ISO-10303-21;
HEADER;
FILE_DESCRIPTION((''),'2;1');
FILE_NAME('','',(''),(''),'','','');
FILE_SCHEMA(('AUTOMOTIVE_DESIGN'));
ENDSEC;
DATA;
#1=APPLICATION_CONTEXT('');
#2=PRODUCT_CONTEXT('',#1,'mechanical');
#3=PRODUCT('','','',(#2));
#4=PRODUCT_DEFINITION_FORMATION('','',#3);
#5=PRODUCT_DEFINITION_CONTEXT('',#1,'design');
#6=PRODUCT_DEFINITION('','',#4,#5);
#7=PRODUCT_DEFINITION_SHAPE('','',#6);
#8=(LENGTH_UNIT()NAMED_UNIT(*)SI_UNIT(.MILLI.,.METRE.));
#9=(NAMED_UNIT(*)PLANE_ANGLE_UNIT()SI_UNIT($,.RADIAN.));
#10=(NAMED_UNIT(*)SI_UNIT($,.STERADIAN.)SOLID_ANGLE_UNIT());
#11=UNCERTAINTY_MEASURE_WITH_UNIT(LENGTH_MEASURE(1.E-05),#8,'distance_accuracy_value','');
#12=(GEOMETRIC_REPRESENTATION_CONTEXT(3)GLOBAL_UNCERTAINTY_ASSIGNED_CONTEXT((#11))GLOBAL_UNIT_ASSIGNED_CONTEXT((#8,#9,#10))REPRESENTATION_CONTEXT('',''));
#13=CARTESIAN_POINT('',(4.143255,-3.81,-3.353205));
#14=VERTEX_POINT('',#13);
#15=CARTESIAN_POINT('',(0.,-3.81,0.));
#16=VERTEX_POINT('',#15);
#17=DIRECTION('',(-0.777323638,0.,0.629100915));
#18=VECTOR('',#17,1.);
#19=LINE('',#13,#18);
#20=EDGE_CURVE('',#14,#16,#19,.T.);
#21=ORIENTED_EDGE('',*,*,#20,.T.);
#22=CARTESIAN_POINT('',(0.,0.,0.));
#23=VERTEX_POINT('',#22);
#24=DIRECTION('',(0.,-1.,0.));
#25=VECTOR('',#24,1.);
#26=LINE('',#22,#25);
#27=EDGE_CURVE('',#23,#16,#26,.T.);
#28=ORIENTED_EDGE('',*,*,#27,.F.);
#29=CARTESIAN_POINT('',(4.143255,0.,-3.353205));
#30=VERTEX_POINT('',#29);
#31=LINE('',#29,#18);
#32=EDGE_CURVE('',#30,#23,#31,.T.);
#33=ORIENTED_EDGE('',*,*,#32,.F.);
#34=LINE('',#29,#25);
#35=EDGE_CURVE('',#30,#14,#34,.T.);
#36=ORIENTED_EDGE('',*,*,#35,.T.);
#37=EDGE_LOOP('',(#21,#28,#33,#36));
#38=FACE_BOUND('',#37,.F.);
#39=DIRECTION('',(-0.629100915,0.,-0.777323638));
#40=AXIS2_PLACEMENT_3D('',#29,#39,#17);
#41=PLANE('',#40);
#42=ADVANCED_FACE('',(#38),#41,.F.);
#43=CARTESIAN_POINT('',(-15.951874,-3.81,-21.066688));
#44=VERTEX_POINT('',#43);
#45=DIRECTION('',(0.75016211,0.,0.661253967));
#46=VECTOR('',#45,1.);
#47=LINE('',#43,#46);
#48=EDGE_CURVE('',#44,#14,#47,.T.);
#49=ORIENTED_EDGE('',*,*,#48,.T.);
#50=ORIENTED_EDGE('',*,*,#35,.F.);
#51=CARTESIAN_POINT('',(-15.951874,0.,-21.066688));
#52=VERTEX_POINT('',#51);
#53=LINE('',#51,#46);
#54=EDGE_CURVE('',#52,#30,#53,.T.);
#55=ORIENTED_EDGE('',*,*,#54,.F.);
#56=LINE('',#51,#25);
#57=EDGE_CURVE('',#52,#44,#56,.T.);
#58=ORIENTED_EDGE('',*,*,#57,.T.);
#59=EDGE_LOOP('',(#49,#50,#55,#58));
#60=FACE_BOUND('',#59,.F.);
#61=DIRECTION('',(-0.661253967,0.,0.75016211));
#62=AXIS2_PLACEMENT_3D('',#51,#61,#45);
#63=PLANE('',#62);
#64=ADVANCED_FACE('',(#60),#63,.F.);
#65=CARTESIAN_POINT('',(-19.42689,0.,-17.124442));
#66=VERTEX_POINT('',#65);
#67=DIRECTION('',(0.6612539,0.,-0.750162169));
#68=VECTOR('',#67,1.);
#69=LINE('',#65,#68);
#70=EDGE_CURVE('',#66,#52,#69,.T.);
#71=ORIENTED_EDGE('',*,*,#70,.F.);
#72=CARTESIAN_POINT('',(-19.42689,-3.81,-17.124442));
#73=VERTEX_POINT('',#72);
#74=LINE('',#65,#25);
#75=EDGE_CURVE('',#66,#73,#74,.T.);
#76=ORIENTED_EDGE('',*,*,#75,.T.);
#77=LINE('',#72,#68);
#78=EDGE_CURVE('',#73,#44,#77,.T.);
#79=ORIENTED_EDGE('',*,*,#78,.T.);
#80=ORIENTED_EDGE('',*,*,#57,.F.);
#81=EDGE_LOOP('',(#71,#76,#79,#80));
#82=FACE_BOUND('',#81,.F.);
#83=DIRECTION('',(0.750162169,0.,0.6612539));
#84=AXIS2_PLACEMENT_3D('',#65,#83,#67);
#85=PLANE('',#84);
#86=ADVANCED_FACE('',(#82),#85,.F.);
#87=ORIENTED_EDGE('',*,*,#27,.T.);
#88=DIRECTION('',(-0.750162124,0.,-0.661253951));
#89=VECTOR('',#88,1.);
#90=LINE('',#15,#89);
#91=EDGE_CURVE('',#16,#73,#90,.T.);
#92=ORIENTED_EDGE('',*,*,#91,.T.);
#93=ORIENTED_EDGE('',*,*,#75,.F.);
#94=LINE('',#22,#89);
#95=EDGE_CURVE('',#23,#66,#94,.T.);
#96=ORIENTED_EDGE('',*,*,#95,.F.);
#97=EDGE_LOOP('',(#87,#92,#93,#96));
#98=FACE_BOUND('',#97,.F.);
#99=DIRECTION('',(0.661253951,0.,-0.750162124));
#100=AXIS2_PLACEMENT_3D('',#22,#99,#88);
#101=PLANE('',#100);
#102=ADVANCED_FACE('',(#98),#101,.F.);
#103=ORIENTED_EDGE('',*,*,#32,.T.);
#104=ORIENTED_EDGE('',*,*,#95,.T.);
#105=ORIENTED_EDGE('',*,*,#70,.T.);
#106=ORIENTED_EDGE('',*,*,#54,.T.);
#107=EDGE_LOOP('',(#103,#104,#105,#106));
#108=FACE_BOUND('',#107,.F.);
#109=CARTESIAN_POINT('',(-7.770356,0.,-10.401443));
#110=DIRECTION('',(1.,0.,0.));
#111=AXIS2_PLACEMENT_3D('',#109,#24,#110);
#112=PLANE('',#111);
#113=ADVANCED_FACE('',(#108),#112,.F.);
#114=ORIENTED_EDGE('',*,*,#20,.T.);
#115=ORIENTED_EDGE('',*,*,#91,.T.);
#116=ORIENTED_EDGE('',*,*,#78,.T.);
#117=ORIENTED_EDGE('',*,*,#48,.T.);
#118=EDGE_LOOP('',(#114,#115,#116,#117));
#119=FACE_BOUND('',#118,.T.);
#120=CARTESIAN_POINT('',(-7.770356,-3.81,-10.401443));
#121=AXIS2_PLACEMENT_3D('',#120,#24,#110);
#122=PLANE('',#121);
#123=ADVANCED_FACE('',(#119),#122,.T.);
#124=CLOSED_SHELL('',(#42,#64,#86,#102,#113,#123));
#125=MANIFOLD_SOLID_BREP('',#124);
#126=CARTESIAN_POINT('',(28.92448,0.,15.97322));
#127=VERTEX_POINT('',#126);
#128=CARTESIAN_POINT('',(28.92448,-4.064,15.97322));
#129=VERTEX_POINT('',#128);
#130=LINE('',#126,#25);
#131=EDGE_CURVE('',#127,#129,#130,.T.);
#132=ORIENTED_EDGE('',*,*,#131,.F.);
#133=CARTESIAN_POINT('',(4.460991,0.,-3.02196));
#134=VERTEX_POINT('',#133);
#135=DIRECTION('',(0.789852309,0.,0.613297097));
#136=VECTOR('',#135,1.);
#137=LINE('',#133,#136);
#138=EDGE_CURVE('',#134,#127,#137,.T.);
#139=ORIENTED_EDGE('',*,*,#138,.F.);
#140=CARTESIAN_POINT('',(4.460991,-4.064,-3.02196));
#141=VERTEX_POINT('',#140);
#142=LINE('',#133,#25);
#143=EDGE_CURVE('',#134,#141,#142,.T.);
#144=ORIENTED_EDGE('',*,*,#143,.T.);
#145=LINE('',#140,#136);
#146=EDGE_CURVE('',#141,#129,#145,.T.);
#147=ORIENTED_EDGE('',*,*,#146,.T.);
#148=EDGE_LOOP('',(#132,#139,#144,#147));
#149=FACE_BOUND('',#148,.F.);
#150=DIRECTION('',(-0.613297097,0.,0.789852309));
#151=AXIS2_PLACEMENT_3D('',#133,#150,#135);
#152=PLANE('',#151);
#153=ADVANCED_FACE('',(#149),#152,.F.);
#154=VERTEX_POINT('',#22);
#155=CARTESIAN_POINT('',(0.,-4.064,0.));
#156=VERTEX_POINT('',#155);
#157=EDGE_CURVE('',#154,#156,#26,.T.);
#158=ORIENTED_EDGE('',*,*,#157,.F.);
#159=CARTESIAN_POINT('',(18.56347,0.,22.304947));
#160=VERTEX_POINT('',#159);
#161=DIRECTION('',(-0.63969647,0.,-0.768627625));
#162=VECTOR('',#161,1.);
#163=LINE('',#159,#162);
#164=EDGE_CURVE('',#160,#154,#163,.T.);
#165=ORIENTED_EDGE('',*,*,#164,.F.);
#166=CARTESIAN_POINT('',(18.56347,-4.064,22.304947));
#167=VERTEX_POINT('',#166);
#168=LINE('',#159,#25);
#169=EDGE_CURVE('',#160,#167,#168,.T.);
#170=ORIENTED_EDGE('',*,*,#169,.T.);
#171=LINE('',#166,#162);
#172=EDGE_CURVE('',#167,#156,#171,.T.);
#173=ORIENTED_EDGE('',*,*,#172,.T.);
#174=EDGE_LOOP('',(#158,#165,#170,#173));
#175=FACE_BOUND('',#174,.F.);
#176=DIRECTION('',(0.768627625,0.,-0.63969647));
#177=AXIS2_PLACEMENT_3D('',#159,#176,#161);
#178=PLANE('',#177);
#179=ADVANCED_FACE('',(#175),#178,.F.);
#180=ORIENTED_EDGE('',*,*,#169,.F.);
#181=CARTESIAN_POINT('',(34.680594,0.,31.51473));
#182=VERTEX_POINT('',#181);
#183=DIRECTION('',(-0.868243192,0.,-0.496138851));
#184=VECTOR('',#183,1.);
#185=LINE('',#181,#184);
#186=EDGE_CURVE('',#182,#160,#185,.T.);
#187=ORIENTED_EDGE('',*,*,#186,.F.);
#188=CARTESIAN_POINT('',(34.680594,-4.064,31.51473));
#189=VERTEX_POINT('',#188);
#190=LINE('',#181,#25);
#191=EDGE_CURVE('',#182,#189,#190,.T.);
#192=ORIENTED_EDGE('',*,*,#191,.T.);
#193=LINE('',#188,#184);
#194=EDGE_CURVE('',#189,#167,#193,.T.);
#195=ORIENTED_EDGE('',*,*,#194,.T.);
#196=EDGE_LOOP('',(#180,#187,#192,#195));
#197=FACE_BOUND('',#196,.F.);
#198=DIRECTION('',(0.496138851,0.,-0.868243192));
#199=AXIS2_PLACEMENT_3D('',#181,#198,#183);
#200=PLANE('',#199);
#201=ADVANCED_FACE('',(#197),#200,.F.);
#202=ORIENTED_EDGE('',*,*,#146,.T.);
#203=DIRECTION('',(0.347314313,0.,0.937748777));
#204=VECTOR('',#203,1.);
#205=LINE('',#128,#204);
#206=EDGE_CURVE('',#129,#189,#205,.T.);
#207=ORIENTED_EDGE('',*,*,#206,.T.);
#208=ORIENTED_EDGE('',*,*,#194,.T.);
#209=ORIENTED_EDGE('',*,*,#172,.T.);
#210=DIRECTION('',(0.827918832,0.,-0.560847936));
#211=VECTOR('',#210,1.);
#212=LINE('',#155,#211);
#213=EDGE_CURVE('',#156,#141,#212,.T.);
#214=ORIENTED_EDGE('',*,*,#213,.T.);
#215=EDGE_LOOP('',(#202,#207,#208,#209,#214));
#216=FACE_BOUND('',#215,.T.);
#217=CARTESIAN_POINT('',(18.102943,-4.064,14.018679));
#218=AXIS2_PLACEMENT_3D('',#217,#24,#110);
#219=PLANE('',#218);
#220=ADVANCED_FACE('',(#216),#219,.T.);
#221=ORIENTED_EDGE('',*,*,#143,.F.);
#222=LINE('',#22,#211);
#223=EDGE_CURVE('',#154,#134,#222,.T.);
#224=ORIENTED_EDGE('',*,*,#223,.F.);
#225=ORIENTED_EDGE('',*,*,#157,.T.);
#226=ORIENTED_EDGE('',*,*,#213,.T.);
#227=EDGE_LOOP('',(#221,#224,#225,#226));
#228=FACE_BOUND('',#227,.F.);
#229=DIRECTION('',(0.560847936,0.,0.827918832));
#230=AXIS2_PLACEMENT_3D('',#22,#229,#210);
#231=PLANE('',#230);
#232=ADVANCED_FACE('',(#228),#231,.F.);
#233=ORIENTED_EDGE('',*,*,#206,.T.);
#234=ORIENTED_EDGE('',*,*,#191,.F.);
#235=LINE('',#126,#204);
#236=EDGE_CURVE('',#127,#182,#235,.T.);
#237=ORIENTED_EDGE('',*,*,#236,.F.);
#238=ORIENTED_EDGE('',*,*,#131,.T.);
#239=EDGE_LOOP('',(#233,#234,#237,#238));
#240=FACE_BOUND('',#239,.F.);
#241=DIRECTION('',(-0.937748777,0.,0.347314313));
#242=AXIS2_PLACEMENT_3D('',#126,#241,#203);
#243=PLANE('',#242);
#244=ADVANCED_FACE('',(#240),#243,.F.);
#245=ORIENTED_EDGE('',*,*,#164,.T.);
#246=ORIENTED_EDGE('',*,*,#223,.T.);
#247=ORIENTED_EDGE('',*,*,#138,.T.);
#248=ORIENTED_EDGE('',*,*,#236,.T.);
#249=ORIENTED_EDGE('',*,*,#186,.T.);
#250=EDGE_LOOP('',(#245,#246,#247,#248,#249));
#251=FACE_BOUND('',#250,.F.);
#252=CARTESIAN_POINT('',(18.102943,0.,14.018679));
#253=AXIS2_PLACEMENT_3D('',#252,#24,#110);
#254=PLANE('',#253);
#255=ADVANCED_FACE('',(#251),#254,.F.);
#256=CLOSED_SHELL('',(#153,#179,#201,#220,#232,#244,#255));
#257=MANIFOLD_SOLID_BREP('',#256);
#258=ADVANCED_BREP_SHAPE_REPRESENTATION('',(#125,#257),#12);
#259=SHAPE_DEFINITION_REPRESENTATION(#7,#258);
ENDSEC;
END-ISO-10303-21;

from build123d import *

# Parameters (mm, degrees)
F1_DEPTH = 3.81
F3_DEPTH = 4.064


with BuildPart() as f1:
    # F0 (on Front) → F1 (new body)
    with BuildSketch(Plane.XZ):
        Polygon((4.143255, -3.353205), (0, 0), (-19.42689, -17.124442), (-15.951874, -21.066688), align=None)
    extrude(amount=F1_DEPTH)


with BuildPart() as f3:
    # F2 (on Front) → F3 (new body)
    with BuildSketch(Plane.XZ):
        Polygon((18.56347, 22.304947), (0, 0), (4.460991, -3.02196), (28.92448, 15.97322), (34.680594, 31.51473), align=None)
    extrude(amount=F3_DEPTH)


solid = Compound([f1.part, f3.part])
